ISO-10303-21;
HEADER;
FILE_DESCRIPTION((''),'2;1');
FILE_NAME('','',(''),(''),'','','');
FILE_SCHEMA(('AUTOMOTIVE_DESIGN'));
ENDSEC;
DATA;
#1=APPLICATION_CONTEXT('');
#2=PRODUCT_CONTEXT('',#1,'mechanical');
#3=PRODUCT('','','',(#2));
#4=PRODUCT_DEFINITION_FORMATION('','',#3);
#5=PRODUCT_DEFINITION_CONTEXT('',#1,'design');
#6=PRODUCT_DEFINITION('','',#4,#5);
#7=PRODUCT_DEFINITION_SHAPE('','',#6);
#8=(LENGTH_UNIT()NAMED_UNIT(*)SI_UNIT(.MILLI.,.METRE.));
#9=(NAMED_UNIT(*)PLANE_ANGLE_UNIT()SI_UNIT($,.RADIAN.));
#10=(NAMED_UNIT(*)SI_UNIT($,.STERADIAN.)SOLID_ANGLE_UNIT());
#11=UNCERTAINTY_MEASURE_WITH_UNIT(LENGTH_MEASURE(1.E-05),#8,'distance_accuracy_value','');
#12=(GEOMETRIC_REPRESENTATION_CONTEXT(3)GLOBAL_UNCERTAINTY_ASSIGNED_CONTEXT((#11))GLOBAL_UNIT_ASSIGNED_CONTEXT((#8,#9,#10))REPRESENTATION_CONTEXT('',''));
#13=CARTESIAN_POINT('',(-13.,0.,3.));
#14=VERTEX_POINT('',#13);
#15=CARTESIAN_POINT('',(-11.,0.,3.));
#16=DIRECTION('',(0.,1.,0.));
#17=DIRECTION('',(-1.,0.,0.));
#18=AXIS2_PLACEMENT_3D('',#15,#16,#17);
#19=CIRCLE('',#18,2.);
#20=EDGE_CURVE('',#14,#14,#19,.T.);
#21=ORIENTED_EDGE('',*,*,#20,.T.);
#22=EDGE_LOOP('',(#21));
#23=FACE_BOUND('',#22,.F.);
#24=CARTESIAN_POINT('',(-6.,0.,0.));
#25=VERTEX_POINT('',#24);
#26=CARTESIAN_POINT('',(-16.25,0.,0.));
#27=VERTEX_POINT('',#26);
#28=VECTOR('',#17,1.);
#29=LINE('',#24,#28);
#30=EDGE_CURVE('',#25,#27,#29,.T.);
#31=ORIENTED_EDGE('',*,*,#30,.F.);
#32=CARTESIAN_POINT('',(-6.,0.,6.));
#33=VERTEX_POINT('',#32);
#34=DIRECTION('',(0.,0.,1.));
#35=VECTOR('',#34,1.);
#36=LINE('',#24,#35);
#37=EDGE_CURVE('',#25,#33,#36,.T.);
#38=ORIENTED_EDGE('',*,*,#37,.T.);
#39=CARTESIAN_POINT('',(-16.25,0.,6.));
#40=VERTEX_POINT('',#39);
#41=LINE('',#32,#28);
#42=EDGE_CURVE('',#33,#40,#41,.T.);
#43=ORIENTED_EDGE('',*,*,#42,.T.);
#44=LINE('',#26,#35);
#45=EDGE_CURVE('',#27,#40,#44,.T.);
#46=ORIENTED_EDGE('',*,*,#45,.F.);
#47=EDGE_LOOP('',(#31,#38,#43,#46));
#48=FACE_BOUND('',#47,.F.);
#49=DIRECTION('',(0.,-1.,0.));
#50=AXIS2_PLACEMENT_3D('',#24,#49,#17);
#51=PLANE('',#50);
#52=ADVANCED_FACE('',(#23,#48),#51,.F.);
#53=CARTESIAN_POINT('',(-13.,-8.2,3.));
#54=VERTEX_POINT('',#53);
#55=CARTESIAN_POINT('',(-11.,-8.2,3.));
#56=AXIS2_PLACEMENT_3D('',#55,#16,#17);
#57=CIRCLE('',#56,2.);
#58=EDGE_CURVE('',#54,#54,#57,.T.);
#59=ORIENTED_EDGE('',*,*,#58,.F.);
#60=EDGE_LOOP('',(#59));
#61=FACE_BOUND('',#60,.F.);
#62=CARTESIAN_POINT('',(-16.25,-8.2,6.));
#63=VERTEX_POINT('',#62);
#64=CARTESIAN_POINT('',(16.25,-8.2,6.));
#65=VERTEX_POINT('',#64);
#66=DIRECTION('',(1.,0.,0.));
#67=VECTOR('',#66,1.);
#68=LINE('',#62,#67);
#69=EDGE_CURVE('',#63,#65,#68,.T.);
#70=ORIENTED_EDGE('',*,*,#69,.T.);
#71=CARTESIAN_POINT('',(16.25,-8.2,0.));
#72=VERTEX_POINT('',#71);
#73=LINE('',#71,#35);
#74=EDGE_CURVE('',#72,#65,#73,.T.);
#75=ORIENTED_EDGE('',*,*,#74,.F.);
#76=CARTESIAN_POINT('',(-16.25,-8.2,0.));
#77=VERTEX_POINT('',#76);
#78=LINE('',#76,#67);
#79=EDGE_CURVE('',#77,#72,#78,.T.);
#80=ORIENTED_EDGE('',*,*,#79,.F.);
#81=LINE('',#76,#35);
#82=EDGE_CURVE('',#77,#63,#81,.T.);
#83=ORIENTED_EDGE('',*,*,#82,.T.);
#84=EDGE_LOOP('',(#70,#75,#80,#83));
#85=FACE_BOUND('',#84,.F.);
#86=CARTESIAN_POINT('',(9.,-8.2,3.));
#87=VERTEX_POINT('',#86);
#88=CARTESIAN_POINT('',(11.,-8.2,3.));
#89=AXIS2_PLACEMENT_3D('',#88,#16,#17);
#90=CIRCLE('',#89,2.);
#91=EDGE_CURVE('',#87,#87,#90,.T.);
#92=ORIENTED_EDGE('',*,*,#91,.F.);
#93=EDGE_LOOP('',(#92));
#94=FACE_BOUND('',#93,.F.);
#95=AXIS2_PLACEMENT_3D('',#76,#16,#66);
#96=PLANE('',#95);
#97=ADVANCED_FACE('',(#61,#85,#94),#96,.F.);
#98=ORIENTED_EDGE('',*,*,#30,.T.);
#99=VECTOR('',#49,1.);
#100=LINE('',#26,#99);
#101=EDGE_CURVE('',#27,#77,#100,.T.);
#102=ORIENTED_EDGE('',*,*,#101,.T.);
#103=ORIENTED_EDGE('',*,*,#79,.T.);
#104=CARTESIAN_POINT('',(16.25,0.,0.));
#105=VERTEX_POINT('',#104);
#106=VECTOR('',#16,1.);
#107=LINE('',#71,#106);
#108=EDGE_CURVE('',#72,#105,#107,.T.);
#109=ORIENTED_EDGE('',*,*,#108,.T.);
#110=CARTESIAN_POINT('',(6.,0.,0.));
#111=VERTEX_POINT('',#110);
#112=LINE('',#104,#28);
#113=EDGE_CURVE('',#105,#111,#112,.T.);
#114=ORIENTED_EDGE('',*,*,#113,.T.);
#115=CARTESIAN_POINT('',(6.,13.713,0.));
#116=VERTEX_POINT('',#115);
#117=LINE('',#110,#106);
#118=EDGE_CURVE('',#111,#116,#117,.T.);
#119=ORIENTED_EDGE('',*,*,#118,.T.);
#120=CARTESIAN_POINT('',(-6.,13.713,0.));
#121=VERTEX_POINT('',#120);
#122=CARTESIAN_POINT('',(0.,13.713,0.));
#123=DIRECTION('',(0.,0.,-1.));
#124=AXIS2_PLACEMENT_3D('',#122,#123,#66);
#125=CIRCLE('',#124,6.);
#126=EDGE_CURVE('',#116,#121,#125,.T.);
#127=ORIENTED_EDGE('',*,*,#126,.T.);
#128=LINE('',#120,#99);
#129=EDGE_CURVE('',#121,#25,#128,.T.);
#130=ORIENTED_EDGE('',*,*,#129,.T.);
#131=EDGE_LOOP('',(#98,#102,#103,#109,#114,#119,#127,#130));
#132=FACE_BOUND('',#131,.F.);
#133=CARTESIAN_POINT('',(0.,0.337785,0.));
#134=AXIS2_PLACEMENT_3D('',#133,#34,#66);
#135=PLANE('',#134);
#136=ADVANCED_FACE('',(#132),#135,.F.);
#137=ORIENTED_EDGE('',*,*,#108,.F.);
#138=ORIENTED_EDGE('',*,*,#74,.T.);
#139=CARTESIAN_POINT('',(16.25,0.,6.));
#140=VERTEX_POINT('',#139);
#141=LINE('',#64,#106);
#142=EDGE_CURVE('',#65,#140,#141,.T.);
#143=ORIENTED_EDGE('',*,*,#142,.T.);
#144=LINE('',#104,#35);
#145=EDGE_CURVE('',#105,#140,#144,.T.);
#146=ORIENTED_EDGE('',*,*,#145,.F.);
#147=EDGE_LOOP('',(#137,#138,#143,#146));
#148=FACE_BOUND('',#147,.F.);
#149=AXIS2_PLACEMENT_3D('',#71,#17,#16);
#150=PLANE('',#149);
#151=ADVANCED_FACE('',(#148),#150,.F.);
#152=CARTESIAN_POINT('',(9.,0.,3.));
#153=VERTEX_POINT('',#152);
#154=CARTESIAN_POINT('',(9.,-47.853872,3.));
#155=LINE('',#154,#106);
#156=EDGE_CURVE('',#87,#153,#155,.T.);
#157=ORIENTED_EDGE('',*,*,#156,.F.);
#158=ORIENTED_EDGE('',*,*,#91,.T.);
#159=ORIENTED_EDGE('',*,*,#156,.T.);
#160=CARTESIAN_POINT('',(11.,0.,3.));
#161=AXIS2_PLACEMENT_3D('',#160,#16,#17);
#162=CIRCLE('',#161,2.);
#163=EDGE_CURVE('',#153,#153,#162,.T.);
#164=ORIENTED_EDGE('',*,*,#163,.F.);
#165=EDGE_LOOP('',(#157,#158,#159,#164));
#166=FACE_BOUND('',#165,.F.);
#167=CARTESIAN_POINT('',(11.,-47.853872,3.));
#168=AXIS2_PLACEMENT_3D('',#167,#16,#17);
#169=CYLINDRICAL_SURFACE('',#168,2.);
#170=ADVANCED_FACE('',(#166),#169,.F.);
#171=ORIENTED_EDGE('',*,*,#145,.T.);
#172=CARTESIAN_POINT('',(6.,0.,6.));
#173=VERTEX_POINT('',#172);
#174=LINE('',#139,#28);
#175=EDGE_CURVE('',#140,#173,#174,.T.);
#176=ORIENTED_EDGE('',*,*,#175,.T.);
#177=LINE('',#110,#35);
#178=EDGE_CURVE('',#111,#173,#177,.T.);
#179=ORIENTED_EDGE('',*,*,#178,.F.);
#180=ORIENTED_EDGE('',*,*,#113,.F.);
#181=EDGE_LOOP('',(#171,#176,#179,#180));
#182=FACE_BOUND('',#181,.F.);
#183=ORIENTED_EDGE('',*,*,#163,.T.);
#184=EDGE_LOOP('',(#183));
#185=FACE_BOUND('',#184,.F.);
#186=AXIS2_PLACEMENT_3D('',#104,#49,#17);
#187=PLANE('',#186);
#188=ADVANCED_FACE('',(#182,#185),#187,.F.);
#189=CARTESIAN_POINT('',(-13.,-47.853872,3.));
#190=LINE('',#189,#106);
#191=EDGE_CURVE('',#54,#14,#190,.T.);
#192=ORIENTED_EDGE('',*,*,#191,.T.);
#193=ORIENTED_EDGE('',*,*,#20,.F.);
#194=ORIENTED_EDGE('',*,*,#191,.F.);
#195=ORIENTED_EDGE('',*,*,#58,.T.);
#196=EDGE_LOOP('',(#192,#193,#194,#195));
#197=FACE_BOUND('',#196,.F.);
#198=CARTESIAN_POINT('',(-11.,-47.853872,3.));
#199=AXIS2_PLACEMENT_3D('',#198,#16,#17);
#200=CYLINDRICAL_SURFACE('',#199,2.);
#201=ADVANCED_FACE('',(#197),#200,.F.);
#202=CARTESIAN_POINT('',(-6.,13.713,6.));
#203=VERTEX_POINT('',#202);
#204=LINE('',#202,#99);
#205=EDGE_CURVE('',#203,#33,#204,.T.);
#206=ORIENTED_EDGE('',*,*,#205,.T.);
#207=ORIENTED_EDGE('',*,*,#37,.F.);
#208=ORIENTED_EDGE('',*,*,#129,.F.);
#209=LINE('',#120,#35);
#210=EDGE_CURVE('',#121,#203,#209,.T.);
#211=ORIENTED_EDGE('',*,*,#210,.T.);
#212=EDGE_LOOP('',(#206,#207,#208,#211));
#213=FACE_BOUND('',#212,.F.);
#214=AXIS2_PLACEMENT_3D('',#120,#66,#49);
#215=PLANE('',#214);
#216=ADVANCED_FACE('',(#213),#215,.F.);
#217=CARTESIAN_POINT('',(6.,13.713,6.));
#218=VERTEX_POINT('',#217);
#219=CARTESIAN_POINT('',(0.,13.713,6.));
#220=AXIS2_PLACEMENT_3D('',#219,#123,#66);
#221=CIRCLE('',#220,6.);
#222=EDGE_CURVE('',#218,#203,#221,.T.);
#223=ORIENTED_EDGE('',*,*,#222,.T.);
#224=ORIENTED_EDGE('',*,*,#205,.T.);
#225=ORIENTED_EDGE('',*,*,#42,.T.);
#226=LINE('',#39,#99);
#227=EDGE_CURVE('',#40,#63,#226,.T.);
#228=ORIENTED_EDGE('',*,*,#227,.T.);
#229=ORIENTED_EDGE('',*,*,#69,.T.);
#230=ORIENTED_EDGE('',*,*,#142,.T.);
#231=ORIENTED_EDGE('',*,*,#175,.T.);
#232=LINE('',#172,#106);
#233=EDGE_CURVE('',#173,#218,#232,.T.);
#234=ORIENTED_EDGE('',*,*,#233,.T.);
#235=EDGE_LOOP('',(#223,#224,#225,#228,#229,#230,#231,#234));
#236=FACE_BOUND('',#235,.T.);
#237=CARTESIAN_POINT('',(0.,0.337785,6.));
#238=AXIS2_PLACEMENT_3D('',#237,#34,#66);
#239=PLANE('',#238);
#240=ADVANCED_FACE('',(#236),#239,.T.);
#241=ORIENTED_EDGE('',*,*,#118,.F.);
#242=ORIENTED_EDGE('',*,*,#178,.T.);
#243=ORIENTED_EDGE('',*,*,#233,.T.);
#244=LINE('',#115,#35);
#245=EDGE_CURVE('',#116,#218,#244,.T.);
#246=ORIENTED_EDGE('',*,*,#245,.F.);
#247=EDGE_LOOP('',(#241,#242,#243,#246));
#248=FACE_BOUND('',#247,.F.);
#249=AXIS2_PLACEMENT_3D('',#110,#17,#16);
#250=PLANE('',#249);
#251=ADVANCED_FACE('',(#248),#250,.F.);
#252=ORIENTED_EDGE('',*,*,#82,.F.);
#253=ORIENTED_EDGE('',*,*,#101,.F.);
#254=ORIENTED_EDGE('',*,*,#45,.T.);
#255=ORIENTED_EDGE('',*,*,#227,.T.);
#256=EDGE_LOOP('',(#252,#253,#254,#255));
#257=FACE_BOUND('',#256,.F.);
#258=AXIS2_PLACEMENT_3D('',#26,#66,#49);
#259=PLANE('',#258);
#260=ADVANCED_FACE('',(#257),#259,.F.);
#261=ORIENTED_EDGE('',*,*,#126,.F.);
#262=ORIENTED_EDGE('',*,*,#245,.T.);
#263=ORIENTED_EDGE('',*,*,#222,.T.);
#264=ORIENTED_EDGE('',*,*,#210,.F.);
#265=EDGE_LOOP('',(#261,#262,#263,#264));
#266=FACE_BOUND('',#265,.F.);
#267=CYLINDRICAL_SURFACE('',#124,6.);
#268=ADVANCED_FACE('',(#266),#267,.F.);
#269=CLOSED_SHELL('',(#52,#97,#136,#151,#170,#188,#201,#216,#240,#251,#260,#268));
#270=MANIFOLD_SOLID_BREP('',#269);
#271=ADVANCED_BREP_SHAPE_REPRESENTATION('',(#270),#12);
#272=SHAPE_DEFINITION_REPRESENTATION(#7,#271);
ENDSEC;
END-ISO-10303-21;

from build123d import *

# Parameters (mm, degrees)
F1_DEPTH = 6
F3_D     = 4


with BuildPart() as f1:
    # F0 (on Top) → F1 (new body)
    with BuildSketch(Plane.XY):
        with BuildLine():
            Line((16.25, 0), (6, 0))
            Line((6, 0), (6, 13.713))
            ThreePointArc((6, 13.713), (0, 7.713), (-6, 13.713))
            Line((-6, 13.713), (-6, 0))
            Line((-6, 0), (-16.25, 0))
            Line((-16.25, 0), (-16.25, -8.2))
            Line((-16.25, -8.2), (16.25, -8.2))
            Line((16.25, -8.2), (16.25, 0))
        make_face()
    extrude(amount=F1_DEPTH)

    # F3 (through all)
    with Locations(Plane.XZ.offset(8.2)):
        with Locations((-11, 3), (11, 3)):
            Hole(F3_D / 2)


solid = f1.part
